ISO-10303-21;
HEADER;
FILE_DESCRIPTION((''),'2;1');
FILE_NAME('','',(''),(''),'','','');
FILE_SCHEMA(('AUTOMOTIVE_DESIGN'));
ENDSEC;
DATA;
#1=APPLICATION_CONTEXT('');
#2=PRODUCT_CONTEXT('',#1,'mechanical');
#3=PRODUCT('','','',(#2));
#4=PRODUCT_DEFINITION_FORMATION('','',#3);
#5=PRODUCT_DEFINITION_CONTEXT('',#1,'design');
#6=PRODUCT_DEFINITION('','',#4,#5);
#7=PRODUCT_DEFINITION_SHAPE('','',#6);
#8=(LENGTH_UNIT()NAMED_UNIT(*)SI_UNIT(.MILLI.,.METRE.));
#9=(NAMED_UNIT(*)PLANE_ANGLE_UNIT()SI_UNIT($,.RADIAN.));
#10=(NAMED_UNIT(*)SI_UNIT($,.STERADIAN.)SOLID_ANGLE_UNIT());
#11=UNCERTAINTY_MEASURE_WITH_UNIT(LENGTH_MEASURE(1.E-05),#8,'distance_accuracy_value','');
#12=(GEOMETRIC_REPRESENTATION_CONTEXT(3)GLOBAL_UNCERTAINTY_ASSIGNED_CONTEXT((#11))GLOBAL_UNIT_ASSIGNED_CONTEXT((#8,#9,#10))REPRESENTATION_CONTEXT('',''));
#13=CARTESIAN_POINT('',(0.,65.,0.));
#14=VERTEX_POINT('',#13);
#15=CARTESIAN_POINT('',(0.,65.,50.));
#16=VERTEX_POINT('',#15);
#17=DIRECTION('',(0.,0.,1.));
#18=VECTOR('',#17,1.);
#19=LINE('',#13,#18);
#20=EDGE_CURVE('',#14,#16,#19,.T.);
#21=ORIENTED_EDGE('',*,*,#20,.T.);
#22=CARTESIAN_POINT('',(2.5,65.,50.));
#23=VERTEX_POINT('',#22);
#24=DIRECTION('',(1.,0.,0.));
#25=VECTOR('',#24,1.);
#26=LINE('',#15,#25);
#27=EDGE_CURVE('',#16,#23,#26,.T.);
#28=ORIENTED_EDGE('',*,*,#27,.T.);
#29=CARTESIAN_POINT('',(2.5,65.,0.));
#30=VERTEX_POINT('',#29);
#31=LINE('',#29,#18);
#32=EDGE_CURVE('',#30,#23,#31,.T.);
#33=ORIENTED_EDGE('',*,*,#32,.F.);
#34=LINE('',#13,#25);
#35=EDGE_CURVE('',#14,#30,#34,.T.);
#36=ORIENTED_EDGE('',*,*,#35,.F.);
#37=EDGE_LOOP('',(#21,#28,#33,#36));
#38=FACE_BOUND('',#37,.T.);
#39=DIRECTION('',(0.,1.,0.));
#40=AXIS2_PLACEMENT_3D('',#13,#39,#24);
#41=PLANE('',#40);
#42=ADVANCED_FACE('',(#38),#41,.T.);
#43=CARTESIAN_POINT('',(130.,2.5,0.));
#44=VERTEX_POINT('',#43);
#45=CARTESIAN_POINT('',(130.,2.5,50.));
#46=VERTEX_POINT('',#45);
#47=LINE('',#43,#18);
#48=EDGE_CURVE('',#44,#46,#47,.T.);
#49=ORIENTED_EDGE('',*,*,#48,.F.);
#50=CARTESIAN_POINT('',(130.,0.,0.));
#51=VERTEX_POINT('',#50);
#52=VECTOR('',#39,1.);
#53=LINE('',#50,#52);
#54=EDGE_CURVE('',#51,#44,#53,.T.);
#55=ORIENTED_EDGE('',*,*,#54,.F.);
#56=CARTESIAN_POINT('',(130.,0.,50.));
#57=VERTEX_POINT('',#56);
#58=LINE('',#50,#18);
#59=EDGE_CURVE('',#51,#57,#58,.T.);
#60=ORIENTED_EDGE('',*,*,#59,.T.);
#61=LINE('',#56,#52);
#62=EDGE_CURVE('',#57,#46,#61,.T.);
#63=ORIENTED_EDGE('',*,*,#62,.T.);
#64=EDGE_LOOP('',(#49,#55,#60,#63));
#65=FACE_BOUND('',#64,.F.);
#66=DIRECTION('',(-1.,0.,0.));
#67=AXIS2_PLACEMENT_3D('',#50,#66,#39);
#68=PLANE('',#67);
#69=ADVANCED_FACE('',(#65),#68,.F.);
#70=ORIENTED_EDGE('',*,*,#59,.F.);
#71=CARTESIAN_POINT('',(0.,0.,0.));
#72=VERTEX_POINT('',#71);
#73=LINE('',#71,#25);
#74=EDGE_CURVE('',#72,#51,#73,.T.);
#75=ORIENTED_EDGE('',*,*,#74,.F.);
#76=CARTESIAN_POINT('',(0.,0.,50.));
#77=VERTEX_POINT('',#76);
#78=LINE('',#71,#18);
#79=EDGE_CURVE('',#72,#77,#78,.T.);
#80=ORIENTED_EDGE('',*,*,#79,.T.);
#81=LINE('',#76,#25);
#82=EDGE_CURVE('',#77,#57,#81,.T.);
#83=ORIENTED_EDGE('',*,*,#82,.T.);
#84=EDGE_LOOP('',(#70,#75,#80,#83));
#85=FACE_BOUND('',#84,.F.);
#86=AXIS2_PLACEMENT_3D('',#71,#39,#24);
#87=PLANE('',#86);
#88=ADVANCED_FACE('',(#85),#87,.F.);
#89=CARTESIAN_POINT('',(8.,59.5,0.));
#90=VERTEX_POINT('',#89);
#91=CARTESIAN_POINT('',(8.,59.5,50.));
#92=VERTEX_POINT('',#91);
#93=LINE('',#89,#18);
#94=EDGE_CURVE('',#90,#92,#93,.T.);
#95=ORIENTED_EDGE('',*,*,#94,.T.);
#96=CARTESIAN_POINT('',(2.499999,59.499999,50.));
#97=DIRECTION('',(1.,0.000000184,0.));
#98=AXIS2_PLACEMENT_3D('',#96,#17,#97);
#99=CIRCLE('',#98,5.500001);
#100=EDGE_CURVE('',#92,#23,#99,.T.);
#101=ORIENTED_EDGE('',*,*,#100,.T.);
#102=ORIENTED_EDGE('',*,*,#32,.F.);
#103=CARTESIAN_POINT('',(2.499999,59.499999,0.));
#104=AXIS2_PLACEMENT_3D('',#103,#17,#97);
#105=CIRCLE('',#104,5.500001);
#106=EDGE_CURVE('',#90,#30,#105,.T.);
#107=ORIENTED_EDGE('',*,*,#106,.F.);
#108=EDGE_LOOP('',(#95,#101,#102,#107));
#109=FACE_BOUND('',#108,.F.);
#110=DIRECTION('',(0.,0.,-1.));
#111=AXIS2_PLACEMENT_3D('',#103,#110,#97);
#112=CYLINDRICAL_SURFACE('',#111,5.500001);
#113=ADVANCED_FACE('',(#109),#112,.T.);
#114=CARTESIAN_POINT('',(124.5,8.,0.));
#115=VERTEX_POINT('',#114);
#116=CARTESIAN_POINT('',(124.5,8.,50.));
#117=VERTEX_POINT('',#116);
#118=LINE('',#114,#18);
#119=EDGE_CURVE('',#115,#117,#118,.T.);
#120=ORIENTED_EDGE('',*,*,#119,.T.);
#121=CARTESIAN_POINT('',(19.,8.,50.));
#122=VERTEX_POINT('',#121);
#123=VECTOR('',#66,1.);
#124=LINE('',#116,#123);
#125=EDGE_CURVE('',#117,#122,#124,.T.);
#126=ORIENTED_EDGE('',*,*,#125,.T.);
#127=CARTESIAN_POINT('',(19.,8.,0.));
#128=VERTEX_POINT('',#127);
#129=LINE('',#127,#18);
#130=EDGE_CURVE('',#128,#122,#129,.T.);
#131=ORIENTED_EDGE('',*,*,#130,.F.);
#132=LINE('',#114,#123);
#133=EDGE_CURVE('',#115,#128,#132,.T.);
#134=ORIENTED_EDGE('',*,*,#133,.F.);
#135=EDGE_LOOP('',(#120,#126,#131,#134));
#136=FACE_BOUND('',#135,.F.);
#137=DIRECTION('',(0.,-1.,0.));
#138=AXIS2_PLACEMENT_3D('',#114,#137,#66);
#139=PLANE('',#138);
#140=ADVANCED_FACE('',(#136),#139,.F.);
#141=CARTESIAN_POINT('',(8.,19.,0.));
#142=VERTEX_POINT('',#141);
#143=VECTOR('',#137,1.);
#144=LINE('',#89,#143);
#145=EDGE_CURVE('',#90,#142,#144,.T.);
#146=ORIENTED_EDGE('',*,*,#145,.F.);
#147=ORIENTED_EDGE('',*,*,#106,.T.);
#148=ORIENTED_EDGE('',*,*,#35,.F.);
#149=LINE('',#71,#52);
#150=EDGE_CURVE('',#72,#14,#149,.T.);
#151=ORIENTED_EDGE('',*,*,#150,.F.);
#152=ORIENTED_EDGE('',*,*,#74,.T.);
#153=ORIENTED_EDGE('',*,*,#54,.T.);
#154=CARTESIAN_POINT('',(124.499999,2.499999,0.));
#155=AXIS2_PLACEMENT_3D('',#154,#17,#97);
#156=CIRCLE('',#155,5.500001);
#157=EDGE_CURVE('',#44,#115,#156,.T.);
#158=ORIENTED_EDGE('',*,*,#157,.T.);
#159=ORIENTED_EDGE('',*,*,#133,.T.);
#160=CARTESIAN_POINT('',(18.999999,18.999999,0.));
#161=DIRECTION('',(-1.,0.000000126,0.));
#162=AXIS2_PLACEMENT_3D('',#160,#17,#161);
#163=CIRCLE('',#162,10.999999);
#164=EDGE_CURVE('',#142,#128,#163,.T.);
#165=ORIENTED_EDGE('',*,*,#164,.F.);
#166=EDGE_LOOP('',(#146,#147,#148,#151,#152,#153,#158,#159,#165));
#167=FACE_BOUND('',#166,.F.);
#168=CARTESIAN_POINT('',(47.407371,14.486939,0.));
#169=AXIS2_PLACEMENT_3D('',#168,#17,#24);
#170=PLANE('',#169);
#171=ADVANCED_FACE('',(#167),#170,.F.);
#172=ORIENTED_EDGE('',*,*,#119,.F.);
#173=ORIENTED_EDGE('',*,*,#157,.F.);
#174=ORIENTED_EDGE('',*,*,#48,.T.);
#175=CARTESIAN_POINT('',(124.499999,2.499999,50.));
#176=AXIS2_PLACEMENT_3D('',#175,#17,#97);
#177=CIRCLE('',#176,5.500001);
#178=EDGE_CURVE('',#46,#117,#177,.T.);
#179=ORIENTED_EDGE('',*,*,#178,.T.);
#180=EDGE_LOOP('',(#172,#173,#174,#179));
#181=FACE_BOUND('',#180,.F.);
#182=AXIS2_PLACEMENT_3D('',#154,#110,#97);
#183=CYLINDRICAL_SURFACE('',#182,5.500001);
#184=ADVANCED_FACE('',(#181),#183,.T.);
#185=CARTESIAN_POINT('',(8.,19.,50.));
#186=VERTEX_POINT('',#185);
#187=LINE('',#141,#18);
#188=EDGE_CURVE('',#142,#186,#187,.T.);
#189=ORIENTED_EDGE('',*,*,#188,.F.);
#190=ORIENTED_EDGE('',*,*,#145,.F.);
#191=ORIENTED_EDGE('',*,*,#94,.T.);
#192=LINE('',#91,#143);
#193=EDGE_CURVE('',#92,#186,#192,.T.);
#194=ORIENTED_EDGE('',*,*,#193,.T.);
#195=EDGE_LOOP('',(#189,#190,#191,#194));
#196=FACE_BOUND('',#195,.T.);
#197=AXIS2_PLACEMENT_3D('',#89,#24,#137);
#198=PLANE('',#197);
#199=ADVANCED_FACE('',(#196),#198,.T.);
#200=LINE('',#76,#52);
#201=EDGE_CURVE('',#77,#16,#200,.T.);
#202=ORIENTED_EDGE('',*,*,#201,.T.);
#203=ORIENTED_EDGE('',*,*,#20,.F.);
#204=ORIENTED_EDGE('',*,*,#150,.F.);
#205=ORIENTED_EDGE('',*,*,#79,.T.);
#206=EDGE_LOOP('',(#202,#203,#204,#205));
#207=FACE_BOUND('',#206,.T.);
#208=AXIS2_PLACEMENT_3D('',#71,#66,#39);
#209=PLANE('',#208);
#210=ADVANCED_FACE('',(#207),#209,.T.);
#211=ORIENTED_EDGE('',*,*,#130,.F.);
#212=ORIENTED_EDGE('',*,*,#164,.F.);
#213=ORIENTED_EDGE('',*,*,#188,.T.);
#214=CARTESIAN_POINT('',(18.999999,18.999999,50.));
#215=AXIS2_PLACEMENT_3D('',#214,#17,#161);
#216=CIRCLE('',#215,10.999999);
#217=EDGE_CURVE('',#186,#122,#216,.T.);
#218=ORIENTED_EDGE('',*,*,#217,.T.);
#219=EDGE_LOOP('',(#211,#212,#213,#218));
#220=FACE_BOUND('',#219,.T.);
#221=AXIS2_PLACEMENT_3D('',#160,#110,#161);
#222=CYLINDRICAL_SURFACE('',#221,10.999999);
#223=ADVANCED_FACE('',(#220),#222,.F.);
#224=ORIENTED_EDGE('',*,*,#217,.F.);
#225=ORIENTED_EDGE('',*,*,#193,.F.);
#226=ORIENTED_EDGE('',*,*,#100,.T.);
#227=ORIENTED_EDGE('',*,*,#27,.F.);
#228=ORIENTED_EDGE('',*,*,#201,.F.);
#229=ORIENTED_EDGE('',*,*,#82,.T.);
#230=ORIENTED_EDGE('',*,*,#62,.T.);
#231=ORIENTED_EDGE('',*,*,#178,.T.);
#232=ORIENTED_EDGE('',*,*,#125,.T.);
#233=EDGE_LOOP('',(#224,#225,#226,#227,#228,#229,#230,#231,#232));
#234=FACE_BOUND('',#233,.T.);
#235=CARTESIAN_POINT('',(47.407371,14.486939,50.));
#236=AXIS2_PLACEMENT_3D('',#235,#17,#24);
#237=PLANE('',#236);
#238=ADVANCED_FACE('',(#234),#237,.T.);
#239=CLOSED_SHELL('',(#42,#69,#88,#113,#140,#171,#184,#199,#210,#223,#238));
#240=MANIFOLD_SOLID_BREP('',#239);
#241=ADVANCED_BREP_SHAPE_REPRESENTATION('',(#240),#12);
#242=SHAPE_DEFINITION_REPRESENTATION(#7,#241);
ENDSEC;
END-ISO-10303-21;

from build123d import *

# Parameters (mm, degrees)
EXTRUDE_DEPTH = 50


with BuildPart() as part:
    # Sketch → Extrude (new body)
    with BuildSketch(Plane.XY):
        with BuildLine():
            Line((0, 0), (130, 0))
            Line((130, 0), (130, 2.5))
            ThreePointArc((130, 2.5), (128.389087, 6.389087), (124.5, 8))
            Line((124.5, 8), (19, 8))
            ThreePointArc((8, 19), (11.221825, 11.221825), (19, 8))
            Line((8, 59.5), (8, 19))
            ThreePointArc((8, 59.5), (6.389087, 63.389087), (2.5, 65))
            Line((0, 65), (2.5, 65))
            Line((0, 0), (0, 65))
        make_face()
    extrude(amount=EXTRUDE_DEPTH)


solid = part.part
